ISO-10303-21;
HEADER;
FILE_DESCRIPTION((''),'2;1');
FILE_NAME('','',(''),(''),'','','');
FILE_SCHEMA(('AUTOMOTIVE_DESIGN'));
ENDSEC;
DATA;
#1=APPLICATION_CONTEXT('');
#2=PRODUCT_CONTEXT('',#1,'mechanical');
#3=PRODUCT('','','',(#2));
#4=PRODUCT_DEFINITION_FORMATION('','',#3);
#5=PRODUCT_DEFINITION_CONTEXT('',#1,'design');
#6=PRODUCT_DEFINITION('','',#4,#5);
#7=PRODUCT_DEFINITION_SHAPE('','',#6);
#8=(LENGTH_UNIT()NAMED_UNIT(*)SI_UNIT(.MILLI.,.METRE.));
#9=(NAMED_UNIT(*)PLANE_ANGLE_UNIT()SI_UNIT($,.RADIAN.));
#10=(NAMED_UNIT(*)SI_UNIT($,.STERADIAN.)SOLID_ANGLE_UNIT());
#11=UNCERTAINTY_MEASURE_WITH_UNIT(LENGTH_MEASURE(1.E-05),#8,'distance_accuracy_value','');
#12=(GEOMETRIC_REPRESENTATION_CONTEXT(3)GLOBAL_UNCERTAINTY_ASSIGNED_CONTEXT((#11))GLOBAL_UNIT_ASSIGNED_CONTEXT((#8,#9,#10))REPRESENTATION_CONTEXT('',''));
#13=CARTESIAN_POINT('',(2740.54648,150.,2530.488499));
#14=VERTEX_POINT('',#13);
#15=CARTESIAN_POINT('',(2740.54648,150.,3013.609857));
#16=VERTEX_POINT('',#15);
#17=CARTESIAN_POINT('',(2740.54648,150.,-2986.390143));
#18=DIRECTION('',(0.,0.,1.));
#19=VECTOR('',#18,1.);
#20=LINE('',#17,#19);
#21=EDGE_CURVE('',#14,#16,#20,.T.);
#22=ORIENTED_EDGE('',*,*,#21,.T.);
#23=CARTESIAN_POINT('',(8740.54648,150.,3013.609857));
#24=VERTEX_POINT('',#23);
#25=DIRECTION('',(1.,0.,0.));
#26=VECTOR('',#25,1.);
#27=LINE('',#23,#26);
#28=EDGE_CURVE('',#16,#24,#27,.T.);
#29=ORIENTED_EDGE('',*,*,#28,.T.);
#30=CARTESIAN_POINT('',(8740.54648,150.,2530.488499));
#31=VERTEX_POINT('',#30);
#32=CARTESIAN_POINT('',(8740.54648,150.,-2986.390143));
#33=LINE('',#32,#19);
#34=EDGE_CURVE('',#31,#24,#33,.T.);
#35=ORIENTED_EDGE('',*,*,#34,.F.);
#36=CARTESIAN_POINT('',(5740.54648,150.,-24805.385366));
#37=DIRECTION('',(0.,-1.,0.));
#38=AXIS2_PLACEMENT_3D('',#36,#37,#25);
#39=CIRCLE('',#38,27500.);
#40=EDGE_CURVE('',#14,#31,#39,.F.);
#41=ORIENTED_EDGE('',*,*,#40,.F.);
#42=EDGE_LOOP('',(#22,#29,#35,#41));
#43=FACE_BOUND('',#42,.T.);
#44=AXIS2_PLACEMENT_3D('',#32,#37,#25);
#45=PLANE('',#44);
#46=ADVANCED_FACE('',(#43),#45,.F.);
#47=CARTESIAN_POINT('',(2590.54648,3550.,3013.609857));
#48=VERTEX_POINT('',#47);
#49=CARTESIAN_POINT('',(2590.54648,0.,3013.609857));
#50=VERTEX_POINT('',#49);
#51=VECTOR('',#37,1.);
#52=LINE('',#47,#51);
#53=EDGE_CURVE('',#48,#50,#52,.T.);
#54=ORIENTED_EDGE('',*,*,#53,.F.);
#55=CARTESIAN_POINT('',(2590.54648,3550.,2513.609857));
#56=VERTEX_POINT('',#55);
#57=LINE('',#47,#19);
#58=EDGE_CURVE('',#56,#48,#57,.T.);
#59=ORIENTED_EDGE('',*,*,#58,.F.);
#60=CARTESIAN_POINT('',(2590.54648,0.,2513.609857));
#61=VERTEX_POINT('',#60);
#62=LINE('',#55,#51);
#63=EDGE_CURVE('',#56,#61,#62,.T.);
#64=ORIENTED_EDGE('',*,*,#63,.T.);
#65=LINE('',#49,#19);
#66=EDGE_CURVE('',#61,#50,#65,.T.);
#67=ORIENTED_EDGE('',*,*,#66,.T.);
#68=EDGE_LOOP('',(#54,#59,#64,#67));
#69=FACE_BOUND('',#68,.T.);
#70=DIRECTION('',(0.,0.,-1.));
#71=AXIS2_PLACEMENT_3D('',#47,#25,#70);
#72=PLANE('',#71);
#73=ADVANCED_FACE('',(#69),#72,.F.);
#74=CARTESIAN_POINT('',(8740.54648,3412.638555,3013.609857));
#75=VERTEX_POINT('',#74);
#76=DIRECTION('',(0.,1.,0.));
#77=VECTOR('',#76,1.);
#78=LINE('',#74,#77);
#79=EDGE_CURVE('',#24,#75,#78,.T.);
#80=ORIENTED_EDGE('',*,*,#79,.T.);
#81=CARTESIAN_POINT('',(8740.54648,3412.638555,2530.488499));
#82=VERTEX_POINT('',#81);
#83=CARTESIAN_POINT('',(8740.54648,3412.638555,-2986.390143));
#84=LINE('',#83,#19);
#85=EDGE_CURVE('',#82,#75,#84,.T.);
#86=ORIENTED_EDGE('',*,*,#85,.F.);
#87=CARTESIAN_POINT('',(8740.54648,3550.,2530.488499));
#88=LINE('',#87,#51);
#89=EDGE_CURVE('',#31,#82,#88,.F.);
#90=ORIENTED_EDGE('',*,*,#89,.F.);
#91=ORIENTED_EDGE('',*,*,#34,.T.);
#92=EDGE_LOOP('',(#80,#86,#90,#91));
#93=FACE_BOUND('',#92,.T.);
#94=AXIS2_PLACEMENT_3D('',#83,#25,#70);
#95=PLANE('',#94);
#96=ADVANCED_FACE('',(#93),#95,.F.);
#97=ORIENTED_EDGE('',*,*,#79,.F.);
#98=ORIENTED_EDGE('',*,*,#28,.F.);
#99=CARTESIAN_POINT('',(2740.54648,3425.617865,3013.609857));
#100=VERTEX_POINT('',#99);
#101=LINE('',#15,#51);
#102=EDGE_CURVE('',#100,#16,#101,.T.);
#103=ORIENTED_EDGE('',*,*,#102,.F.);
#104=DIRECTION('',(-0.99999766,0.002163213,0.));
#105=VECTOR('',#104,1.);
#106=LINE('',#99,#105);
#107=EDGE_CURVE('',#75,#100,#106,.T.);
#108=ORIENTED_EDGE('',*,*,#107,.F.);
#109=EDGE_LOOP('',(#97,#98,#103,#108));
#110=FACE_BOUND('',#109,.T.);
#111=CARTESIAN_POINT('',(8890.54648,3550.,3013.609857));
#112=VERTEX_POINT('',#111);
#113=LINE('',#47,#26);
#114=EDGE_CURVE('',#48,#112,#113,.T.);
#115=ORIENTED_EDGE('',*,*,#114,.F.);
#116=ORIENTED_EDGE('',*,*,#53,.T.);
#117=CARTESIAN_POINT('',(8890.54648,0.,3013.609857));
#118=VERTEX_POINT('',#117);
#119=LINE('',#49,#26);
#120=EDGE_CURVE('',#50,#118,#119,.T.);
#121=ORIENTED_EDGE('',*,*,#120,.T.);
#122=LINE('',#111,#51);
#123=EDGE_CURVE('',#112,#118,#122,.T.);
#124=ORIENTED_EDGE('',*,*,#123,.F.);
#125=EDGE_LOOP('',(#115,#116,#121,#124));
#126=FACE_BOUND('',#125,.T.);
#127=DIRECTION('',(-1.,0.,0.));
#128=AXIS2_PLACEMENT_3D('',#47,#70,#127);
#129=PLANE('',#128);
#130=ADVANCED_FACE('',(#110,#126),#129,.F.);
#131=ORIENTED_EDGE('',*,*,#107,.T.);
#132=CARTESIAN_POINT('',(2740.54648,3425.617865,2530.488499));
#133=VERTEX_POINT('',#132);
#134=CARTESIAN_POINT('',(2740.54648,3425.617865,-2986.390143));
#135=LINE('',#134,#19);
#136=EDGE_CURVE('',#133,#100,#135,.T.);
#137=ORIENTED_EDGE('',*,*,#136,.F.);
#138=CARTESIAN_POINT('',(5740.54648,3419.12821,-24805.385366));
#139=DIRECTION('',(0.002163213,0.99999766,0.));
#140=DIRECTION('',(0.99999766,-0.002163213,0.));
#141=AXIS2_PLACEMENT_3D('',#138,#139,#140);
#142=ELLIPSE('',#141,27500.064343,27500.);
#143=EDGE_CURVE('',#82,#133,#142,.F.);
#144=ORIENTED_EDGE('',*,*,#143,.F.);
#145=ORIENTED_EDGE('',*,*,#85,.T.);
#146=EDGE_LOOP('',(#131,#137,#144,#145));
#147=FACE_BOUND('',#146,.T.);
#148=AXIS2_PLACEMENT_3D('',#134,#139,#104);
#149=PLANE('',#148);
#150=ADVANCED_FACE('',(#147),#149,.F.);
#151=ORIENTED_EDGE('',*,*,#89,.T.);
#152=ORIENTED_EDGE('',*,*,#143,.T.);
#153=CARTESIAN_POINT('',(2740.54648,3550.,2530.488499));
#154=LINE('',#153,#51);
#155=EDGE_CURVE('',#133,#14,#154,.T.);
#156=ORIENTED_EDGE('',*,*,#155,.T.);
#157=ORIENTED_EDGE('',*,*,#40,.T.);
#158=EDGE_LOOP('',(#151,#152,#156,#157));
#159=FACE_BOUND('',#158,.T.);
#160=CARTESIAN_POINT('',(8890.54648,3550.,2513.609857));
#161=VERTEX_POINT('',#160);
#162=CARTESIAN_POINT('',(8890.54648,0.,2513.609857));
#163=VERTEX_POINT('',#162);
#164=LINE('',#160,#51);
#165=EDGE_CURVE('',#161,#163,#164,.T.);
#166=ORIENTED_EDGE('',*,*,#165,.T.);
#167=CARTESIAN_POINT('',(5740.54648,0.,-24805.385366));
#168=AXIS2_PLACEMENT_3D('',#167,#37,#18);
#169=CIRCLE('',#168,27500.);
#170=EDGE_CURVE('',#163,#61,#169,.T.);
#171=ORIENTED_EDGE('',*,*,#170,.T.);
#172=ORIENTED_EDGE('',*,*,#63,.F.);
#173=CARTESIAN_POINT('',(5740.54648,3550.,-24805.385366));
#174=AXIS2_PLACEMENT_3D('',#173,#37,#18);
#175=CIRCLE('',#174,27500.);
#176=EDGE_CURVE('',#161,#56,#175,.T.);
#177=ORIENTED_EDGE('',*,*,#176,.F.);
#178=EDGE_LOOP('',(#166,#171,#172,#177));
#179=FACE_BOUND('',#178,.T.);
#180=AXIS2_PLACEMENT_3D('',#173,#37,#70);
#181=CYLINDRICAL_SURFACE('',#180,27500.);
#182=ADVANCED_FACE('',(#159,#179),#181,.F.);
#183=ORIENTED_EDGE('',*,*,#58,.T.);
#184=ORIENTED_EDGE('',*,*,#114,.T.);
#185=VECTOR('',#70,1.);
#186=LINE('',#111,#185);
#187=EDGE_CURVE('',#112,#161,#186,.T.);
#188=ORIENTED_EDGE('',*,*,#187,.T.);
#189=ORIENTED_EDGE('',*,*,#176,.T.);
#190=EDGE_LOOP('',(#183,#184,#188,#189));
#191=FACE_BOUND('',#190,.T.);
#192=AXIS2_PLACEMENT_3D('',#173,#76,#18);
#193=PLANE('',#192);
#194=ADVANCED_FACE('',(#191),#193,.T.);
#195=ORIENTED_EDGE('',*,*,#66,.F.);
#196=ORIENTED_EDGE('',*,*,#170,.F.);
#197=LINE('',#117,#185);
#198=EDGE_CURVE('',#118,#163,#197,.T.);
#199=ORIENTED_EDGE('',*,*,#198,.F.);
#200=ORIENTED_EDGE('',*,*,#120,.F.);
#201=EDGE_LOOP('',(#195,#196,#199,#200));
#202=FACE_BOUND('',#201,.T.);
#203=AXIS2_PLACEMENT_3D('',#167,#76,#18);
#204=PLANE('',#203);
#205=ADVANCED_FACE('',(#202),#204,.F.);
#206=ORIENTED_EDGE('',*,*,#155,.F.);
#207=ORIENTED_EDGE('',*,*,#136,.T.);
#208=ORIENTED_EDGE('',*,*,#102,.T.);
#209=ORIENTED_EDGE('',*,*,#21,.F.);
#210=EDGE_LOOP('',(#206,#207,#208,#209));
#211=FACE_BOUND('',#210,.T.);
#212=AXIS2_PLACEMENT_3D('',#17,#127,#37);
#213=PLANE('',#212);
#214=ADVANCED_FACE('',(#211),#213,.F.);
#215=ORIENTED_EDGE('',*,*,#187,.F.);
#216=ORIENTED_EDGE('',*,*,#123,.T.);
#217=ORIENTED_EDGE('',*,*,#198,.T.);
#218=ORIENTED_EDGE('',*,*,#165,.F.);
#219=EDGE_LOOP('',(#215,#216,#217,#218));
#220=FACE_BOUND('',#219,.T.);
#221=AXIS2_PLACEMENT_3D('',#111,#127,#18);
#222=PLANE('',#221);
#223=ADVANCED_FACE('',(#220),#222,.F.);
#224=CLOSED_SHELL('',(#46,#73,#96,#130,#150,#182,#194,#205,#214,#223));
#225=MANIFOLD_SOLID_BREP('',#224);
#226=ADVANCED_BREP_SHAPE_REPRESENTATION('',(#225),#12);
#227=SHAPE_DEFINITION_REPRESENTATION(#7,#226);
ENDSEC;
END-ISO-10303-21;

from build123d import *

# Parameters (mm, degrees)
BOSS_EXTRUDE1_DEPTH = 3550
CUT_EXTRUDE1_DEPTH  = 6000


with BuildPart() as part:
    # Sketch2 → Boss-Extrude1 (new body)
    with BuildSketch(Plane(origin=(0, 0, 0), x_dir=(1, 0, 0), z_dir=(0, 1, 0))):
        with BuildLine():
            Line((2590.546480495, -3013.609856922), (8890.546480495, -3013.609856922))
            Line((8890.546480495, -3013.609856922), (8890.546480495, -2513.609856922))
            ThreePointArc((8890.546480495, -2513.609856922), (5740.546480495, -2694.614633818), (2590.546480495, -2513.609856922))
            Line((2590.546480495, -2513.609856922), (2590.546480495, -3013.609856922))
        make_face()
    extrude(amount=BOSS_EXTRUDE1_DEPTH)

    # Sketch3 → Cut-Extrude1 (cut)
    with BuildSketch(Plane.XY.offset(3013.609856922)):
        Polygon((2740.546480495, 3425.61786483), (8740.546480495, 3412.63855525), (8740.546480495, 150), (2740.546480495, 150), align=None)
    extrude(amount=-CUT_EXTRUDE1_DEPTH, mode=Mode.SUBTRACT)


solid = part.part
